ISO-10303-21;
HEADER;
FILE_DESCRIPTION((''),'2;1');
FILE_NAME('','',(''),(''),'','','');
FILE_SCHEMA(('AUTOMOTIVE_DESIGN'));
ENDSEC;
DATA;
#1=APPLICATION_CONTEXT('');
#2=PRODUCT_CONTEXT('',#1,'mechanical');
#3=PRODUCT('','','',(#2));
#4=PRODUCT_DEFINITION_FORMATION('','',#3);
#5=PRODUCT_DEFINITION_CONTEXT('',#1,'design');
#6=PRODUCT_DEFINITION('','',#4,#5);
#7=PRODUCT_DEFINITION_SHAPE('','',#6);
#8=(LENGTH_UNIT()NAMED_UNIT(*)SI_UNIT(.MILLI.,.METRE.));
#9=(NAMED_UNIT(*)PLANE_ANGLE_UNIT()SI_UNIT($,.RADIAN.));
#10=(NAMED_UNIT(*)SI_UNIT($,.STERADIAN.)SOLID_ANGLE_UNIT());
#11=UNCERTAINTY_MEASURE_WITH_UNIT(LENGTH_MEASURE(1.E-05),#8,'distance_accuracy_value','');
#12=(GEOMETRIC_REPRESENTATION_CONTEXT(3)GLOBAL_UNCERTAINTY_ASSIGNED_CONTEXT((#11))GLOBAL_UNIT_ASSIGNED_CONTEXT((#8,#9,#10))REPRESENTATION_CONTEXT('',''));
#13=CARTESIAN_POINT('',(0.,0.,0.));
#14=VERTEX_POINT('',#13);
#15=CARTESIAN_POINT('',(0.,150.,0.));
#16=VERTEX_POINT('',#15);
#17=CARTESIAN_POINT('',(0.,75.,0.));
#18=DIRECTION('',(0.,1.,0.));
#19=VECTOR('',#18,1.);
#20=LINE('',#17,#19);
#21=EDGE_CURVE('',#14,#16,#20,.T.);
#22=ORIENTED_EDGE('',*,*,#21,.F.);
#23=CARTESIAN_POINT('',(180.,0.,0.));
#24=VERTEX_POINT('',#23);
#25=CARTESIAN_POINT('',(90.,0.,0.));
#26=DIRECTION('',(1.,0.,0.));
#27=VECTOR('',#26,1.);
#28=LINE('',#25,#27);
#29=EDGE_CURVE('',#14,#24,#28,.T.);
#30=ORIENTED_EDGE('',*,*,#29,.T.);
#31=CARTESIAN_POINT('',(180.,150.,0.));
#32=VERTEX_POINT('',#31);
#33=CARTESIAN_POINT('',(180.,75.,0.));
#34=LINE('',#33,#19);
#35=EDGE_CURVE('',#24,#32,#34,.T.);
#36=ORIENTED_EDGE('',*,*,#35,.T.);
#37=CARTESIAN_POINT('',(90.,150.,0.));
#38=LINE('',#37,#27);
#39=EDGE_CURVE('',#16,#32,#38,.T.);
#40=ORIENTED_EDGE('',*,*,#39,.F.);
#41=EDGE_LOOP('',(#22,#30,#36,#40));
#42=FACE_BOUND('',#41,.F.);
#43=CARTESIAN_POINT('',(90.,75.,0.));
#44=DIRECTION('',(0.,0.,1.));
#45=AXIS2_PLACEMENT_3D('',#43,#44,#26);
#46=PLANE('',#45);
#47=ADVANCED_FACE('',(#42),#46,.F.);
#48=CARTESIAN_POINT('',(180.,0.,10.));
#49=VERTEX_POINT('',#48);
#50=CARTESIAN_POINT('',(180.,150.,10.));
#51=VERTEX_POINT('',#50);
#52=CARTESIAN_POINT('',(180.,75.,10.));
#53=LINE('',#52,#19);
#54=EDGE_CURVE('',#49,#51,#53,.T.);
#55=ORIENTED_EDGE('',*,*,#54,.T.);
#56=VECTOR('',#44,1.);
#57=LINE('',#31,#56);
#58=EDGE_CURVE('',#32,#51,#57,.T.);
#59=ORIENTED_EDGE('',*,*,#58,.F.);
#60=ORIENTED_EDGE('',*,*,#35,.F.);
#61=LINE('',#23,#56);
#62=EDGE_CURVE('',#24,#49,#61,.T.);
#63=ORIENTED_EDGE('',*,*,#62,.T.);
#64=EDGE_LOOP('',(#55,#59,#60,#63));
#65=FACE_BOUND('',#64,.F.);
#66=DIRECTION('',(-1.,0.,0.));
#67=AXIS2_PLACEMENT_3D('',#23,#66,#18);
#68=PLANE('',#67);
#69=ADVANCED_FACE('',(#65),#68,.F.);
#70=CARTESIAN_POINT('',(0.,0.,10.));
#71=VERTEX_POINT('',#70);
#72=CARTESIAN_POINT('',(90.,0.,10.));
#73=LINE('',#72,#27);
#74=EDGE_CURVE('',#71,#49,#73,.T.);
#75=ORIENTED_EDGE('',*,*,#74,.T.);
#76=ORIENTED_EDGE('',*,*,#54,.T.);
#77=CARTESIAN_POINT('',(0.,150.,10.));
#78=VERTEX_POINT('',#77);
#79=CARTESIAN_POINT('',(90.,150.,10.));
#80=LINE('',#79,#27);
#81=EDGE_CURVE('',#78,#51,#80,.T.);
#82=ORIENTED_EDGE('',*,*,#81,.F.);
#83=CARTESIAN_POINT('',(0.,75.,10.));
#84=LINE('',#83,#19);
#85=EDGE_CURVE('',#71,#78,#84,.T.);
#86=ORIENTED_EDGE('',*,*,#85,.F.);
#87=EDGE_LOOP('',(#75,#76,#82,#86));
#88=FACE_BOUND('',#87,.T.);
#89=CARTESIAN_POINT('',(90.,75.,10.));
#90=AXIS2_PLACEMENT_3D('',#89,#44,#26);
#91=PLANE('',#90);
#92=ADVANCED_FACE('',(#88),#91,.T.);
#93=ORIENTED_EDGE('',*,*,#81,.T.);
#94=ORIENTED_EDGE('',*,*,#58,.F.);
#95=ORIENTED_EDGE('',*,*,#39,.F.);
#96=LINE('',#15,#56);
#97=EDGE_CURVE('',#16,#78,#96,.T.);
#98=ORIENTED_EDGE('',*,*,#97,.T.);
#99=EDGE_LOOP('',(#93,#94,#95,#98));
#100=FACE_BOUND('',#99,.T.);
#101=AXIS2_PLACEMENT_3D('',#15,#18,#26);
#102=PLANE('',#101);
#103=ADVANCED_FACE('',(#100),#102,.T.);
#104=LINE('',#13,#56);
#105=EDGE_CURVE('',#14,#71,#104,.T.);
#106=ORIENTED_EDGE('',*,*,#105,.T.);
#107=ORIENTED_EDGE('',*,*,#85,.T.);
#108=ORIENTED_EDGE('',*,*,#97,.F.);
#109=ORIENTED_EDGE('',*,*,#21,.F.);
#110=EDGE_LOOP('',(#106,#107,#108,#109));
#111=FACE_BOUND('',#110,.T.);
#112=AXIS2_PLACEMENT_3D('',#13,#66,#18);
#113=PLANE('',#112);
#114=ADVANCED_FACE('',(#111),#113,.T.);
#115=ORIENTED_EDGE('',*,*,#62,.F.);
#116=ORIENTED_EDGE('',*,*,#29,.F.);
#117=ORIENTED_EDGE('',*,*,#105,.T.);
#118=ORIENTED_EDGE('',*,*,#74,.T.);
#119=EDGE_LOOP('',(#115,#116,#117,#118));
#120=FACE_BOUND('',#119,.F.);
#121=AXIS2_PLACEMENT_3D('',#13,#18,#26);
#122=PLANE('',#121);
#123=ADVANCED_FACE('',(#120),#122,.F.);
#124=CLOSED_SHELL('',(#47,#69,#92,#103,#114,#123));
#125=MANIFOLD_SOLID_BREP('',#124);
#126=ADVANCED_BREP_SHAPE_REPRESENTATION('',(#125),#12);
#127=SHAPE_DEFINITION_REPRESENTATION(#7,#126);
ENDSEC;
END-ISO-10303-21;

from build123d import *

# Parameters (mm, degrees)
BOX_W     = 180
BOX_H     = 150
BOX_DEPTH = 10


with BuildPart() as part:
    # Box → Box (new body)
    with BuildSketch(Plane.XY):
        with Locations((90, 75)):
            Rectangle(BOX_W, BOX_H)
    extrude(amount=BOX_DEPTH)


solid = part.part
